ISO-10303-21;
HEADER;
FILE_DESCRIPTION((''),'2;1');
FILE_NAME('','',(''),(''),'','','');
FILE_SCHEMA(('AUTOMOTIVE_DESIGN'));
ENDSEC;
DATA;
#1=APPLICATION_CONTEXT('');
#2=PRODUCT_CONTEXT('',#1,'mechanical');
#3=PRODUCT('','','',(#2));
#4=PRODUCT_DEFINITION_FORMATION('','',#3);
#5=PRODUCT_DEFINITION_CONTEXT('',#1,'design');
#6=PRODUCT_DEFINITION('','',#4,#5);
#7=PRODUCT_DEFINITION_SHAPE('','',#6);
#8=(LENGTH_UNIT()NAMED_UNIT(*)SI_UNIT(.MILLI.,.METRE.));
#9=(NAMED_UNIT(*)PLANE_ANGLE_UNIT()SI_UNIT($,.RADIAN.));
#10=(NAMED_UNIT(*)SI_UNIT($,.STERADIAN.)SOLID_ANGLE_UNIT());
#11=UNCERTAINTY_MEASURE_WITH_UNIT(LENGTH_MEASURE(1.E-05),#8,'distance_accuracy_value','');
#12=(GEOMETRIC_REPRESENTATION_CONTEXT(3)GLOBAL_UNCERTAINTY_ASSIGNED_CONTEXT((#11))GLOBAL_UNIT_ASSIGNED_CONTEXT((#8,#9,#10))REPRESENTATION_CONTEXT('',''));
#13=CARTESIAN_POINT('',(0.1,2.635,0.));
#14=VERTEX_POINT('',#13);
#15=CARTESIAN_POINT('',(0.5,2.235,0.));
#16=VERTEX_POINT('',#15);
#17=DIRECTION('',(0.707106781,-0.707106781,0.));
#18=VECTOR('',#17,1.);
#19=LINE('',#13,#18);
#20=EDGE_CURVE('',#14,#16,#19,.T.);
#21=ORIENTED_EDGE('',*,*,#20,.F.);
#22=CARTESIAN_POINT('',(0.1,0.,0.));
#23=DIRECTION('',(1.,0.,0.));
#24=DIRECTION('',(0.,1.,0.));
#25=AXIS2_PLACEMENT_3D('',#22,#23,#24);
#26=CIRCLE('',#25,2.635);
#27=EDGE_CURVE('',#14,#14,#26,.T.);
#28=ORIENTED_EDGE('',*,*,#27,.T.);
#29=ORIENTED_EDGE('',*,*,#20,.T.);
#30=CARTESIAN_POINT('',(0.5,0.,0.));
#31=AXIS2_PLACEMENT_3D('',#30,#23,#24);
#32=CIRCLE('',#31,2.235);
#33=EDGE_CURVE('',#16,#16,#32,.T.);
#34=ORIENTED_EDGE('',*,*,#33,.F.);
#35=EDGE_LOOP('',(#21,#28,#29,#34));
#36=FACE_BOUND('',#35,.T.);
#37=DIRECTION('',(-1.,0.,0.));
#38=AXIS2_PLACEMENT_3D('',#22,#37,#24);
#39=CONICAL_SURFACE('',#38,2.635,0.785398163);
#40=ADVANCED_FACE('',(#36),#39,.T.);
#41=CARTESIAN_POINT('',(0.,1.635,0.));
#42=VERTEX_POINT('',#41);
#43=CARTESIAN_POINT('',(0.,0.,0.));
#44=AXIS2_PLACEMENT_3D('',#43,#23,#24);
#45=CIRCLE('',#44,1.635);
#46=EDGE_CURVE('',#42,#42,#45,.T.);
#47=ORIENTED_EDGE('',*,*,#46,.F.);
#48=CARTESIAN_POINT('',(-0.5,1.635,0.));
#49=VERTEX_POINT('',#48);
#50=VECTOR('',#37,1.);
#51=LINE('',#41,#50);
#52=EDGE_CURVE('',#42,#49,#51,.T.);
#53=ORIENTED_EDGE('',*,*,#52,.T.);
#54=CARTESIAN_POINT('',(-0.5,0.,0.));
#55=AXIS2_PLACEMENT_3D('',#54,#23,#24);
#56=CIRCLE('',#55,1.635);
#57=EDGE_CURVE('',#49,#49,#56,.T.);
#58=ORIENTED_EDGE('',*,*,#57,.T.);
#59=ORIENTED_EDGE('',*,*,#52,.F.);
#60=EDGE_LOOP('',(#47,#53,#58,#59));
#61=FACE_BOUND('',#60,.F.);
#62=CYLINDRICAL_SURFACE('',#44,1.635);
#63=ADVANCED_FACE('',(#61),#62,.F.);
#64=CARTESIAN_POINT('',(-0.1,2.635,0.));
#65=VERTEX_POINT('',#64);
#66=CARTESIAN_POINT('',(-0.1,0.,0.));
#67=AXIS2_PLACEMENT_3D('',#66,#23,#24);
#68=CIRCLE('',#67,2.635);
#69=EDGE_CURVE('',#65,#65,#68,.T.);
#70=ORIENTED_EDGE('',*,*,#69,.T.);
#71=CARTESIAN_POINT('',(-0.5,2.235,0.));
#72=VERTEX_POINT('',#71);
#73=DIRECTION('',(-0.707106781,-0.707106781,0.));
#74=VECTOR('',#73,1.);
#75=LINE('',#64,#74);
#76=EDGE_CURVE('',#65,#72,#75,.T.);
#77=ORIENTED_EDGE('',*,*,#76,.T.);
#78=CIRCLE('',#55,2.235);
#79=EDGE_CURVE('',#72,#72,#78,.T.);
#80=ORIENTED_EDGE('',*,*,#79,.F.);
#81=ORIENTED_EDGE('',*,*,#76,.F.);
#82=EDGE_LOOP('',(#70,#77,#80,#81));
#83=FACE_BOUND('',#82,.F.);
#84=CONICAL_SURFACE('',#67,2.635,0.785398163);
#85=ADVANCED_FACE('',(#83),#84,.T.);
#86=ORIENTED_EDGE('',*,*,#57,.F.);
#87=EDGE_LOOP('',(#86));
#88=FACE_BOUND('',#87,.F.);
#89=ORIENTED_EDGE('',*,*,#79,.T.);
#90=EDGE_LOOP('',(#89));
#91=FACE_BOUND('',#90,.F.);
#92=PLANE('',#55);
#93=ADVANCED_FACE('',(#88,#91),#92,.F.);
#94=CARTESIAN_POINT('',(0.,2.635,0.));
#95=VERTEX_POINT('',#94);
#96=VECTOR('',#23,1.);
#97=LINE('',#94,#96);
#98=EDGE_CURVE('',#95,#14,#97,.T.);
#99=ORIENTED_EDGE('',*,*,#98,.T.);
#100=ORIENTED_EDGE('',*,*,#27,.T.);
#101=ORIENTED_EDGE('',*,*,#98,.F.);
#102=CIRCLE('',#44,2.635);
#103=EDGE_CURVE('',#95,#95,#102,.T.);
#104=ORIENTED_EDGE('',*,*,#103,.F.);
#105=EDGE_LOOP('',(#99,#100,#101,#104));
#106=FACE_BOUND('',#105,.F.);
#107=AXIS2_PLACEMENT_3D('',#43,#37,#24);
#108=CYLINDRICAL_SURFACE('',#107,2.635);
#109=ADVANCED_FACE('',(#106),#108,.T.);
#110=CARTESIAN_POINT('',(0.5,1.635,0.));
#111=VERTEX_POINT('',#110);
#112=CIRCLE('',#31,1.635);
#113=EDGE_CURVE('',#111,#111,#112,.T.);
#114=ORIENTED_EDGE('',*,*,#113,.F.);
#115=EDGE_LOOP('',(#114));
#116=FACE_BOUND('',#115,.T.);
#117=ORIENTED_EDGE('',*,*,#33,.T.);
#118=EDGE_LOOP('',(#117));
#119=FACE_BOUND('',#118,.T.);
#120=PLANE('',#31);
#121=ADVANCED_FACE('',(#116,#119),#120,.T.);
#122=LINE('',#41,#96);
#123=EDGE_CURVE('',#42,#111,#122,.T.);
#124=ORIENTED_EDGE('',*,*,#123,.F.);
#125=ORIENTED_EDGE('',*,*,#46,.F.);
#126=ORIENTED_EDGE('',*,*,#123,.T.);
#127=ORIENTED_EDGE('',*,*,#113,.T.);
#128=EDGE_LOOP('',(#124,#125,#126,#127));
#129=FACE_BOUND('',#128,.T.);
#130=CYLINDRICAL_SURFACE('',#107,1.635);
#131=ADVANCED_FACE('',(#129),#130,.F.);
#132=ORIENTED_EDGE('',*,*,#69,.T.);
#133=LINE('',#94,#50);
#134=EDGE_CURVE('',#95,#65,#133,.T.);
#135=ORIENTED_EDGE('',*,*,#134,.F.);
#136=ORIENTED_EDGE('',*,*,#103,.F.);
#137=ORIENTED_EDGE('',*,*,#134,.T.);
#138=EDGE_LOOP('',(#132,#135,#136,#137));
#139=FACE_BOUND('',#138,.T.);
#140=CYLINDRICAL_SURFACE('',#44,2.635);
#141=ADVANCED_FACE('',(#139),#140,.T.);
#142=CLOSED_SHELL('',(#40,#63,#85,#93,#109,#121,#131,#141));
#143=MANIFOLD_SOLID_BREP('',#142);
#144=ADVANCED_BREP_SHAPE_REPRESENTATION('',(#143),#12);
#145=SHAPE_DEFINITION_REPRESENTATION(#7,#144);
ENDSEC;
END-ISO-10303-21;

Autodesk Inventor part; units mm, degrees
ref_plane "YZ Plane" through (0, 0, 0) normal (1, 0, 0) x (0, 1, 0)
ref_plane "XZ Plane" through (0, 0, 0) normal (0, 1, 0) x (-1, 0, 0)
ref_plane "XY Plane" through (0, 0, 0) normal (0, 0, 1) x (1, 0, 0)
sketch "スケッチ1" plane through (0, 0, 0) normal (1, 0, 0) x (0, 1, 0)
  circle A0 centre (0, 0) radius 2.635
  circle A1 centre (0, 0) radius 1.635
  dimension "d0" = 3.27
  dimension "d1" = 1
extrude "押し出し1" add sketch "スケッチ1" along normal mid plane 1
chamfer "面取り1" distance 0.4 angle 45 2 edges at (0.5, -2.635, 0) (-0.5, -2.635, 0)
properties part number "spacer_Φ3.2_1"
